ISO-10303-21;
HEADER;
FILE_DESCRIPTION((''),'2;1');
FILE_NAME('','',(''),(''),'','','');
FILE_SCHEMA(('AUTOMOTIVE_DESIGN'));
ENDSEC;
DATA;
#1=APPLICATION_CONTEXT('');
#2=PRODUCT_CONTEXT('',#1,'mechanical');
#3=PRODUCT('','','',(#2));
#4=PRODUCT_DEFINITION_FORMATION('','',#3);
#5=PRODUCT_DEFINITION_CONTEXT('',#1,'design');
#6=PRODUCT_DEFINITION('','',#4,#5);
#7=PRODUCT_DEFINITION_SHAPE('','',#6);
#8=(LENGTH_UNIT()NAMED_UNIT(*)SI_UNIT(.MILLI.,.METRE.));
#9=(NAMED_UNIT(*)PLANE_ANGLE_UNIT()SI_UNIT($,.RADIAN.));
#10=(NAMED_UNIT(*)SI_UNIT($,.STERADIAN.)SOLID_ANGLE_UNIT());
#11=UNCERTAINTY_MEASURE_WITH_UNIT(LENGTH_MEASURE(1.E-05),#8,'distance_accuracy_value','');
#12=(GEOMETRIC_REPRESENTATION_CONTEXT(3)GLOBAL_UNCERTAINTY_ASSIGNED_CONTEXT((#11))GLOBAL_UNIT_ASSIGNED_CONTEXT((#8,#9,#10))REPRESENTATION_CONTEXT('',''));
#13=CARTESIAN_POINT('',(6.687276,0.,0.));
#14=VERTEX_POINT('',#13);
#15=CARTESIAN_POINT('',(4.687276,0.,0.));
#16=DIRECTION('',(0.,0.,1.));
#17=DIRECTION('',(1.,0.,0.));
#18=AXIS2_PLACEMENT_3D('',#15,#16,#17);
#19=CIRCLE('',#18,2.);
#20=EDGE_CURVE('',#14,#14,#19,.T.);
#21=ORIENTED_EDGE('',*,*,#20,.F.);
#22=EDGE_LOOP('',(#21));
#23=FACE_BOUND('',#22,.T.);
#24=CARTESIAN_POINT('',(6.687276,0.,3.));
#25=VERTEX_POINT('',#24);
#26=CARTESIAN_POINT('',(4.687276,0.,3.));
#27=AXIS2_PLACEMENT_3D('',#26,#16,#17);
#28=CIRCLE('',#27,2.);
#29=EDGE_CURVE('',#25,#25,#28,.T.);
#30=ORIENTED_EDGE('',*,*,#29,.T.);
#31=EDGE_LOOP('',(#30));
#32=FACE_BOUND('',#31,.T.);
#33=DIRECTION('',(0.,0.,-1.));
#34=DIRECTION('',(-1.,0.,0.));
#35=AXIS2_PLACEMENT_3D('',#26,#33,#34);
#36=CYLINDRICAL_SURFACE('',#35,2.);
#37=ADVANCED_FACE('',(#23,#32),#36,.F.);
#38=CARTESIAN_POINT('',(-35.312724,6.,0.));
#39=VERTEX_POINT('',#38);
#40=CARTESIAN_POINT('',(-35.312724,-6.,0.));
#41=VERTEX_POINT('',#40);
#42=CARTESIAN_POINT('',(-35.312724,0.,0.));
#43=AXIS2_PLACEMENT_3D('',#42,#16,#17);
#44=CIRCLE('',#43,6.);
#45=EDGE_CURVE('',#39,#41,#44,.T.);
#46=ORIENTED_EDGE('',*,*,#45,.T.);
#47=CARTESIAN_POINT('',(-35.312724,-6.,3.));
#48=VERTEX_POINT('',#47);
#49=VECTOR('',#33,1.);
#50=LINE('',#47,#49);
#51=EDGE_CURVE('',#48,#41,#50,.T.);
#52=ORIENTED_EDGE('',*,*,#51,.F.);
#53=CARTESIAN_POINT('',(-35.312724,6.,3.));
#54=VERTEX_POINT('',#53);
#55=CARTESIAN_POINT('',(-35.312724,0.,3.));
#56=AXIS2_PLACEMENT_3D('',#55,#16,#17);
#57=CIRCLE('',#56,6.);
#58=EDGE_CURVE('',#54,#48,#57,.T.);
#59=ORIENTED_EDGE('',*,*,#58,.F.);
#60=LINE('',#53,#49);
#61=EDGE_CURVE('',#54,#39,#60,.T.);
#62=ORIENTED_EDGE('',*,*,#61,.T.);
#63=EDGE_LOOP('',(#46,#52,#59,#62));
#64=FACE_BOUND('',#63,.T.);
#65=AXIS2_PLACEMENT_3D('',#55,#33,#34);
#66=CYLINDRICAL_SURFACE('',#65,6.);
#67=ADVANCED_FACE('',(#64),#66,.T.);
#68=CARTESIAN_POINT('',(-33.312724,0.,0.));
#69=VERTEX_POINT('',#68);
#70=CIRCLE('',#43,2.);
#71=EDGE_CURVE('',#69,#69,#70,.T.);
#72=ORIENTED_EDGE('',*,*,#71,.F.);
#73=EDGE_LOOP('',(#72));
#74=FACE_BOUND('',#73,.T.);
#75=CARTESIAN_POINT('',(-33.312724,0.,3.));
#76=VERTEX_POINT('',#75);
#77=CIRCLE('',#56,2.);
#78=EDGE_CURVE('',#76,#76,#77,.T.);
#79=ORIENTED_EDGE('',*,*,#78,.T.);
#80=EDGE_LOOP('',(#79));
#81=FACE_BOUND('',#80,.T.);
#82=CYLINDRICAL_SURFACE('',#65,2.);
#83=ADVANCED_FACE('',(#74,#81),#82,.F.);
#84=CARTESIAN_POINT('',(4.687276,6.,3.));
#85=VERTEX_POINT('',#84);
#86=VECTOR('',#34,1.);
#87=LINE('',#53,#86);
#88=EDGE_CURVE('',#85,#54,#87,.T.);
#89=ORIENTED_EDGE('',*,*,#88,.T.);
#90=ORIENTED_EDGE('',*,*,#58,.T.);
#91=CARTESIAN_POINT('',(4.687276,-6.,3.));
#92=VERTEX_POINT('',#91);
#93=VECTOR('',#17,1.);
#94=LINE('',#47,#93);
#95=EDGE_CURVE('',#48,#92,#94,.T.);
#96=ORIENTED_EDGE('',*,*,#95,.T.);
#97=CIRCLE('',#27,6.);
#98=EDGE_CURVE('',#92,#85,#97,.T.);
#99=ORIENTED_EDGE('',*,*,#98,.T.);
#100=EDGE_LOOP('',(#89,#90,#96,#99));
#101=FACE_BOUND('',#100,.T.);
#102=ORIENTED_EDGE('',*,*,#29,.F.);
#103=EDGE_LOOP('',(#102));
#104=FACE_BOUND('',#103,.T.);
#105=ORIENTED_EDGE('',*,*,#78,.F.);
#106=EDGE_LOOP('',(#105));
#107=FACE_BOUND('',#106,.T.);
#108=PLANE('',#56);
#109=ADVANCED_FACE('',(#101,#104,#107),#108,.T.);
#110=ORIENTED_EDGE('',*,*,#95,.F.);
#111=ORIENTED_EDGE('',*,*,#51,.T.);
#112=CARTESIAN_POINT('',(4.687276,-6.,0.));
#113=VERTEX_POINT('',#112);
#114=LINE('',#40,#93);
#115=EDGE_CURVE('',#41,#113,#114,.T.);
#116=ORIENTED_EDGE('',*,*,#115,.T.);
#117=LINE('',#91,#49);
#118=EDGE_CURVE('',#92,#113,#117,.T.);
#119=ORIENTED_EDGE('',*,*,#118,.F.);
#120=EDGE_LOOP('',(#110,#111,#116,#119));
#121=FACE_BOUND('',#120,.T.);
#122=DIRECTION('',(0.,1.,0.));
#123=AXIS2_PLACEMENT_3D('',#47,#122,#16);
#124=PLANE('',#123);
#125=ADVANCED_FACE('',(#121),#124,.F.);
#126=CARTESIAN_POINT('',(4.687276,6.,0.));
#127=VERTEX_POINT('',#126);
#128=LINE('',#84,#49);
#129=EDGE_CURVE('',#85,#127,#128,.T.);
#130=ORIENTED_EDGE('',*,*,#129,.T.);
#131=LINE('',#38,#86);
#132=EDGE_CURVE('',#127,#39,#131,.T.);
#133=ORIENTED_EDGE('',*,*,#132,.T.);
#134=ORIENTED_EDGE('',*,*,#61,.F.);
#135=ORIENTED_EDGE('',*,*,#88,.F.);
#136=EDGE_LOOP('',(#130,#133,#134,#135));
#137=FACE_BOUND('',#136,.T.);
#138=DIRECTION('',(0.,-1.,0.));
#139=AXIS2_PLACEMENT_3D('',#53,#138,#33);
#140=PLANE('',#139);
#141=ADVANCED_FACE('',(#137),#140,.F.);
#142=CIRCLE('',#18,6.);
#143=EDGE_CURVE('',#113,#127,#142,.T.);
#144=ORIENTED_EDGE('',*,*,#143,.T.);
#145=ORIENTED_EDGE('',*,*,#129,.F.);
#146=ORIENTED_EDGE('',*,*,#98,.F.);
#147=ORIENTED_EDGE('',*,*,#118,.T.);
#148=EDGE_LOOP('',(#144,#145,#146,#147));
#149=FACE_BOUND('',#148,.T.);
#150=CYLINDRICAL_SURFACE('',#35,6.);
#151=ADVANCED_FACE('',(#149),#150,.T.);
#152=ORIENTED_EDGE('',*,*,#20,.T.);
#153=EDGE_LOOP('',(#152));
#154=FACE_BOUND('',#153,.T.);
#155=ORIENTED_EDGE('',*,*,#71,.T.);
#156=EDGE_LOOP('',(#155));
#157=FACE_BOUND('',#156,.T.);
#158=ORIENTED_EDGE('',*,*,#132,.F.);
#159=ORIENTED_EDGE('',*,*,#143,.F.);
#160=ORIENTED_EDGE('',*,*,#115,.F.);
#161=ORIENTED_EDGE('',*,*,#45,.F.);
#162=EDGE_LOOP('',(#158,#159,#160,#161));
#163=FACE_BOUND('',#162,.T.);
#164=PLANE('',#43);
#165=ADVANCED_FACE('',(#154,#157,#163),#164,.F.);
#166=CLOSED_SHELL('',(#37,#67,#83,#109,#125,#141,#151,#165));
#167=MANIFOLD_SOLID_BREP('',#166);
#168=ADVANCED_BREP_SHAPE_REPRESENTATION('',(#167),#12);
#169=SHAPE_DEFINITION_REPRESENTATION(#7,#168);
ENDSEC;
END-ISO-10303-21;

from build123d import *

# Parameters (mm, degrees)
SKETCH1_R           = 2
BOSS_EXTRUDE3_DEPTH = 3


with BuildPart() as part:
    # Sketch1 → Boss-Extrude3 (new body)
    with BuildSketch(Plane.XY):
        with BuildLine():
            Line((-35.312724167, 6), (4.687275833, 6))
            ThreePointArc((4.687275833, 6), (10.687275833, 0), (4.687275833, -6))
            Line((4.687275833, -6), (-35.312724167, -6))
            ThreePointArc((-35.312724167, -6), (-41.312724167, 0), (-35.312724167, 6))
        make_face()
        with Locations((-35.312724167, 0)):
            Circle(SKETCH1_R, mode=Mode.SUBTRACT)
        with Locations((4.687275833, 0)):
            Circle(SKETCH1_R, mode=Mode.SUBTRACT)
    extrude(amount=BOSS_EXTRUDE3_DEPTH)


solid = part.part
